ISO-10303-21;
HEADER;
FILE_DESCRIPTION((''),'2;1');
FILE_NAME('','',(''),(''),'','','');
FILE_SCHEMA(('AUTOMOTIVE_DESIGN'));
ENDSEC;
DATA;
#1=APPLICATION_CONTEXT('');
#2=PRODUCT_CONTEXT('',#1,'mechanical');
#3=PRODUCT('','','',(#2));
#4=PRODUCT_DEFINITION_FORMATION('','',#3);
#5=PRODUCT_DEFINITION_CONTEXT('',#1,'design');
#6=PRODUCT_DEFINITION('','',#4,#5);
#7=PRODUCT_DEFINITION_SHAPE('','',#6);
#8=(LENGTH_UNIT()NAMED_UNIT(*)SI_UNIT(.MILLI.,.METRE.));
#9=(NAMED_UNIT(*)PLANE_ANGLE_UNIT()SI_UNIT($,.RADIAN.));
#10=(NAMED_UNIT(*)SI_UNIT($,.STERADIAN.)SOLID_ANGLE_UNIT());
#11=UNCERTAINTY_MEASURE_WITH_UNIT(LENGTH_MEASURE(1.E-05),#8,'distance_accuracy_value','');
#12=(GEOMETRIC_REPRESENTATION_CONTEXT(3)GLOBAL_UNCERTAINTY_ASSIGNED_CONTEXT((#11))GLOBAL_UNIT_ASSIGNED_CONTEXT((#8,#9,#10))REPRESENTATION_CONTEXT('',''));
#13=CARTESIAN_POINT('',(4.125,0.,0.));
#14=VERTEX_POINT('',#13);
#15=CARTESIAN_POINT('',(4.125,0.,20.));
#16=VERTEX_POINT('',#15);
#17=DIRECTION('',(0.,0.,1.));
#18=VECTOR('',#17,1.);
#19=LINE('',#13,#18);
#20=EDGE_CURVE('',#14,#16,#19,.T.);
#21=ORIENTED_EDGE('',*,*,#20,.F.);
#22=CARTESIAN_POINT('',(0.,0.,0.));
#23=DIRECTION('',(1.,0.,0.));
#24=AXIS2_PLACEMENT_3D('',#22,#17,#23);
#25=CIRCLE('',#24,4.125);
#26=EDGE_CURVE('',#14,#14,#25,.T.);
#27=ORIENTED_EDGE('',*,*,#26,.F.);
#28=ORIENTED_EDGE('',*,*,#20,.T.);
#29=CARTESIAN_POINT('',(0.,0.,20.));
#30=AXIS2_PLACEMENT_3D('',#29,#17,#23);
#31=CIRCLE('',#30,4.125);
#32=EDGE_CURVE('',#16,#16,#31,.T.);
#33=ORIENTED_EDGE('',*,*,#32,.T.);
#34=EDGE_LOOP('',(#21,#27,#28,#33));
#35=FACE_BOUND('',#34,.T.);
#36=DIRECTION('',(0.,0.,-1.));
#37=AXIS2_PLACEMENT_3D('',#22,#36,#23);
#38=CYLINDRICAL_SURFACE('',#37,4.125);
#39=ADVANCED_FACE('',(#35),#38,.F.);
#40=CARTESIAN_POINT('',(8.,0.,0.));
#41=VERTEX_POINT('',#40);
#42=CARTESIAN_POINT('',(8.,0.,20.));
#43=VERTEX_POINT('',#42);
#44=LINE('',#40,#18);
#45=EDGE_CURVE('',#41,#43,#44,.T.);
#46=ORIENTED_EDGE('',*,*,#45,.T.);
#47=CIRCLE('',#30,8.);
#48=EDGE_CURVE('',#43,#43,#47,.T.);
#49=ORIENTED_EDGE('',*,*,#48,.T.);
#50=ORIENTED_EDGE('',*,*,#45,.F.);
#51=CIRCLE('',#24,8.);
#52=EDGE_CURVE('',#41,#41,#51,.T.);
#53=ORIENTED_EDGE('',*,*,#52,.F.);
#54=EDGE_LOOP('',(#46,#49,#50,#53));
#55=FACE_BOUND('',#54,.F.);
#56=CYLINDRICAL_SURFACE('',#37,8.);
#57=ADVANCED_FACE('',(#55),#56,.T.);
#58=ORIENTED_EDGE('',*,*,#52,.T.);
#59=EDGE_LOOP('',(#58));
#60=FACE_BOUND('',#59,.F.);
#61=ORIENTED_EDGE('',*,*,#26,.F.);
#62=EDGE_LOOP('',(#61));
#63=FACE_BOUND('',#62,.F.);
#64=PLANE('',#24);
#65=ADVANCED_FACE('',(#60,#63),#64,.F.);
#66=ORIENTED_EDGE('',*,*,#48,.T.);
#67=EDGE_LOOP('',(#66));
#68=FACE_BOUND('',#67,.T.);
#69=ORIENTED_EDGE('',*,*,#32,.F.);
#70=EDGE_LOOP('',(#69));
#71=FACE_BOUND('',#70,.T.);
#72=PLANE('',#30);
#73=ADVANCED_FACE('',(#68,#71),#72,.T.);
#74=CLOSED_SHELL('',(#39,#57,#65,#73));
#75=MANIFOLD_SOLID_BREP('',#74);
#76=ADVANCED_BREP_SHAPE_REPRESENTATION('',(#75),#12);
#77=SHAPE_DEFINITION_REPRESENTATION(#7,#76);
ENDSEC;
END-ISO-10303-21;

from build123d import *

# Parameters (mm, degrees)
SKETCH_R   = 8
SKETCH_R_2 = 4.125
PAD_DEPTH  = 20


with BuildPart() as part:
    # Sketch → Pad (new body)
    with BuildSketch(Plane.XY):
        Circle(SKETCH_R)
        Circle(SKETCH_R_2, mode=Mode.SUBTRACT)
    extrude(amount=PAD_DEPTH)


solid = part.part
